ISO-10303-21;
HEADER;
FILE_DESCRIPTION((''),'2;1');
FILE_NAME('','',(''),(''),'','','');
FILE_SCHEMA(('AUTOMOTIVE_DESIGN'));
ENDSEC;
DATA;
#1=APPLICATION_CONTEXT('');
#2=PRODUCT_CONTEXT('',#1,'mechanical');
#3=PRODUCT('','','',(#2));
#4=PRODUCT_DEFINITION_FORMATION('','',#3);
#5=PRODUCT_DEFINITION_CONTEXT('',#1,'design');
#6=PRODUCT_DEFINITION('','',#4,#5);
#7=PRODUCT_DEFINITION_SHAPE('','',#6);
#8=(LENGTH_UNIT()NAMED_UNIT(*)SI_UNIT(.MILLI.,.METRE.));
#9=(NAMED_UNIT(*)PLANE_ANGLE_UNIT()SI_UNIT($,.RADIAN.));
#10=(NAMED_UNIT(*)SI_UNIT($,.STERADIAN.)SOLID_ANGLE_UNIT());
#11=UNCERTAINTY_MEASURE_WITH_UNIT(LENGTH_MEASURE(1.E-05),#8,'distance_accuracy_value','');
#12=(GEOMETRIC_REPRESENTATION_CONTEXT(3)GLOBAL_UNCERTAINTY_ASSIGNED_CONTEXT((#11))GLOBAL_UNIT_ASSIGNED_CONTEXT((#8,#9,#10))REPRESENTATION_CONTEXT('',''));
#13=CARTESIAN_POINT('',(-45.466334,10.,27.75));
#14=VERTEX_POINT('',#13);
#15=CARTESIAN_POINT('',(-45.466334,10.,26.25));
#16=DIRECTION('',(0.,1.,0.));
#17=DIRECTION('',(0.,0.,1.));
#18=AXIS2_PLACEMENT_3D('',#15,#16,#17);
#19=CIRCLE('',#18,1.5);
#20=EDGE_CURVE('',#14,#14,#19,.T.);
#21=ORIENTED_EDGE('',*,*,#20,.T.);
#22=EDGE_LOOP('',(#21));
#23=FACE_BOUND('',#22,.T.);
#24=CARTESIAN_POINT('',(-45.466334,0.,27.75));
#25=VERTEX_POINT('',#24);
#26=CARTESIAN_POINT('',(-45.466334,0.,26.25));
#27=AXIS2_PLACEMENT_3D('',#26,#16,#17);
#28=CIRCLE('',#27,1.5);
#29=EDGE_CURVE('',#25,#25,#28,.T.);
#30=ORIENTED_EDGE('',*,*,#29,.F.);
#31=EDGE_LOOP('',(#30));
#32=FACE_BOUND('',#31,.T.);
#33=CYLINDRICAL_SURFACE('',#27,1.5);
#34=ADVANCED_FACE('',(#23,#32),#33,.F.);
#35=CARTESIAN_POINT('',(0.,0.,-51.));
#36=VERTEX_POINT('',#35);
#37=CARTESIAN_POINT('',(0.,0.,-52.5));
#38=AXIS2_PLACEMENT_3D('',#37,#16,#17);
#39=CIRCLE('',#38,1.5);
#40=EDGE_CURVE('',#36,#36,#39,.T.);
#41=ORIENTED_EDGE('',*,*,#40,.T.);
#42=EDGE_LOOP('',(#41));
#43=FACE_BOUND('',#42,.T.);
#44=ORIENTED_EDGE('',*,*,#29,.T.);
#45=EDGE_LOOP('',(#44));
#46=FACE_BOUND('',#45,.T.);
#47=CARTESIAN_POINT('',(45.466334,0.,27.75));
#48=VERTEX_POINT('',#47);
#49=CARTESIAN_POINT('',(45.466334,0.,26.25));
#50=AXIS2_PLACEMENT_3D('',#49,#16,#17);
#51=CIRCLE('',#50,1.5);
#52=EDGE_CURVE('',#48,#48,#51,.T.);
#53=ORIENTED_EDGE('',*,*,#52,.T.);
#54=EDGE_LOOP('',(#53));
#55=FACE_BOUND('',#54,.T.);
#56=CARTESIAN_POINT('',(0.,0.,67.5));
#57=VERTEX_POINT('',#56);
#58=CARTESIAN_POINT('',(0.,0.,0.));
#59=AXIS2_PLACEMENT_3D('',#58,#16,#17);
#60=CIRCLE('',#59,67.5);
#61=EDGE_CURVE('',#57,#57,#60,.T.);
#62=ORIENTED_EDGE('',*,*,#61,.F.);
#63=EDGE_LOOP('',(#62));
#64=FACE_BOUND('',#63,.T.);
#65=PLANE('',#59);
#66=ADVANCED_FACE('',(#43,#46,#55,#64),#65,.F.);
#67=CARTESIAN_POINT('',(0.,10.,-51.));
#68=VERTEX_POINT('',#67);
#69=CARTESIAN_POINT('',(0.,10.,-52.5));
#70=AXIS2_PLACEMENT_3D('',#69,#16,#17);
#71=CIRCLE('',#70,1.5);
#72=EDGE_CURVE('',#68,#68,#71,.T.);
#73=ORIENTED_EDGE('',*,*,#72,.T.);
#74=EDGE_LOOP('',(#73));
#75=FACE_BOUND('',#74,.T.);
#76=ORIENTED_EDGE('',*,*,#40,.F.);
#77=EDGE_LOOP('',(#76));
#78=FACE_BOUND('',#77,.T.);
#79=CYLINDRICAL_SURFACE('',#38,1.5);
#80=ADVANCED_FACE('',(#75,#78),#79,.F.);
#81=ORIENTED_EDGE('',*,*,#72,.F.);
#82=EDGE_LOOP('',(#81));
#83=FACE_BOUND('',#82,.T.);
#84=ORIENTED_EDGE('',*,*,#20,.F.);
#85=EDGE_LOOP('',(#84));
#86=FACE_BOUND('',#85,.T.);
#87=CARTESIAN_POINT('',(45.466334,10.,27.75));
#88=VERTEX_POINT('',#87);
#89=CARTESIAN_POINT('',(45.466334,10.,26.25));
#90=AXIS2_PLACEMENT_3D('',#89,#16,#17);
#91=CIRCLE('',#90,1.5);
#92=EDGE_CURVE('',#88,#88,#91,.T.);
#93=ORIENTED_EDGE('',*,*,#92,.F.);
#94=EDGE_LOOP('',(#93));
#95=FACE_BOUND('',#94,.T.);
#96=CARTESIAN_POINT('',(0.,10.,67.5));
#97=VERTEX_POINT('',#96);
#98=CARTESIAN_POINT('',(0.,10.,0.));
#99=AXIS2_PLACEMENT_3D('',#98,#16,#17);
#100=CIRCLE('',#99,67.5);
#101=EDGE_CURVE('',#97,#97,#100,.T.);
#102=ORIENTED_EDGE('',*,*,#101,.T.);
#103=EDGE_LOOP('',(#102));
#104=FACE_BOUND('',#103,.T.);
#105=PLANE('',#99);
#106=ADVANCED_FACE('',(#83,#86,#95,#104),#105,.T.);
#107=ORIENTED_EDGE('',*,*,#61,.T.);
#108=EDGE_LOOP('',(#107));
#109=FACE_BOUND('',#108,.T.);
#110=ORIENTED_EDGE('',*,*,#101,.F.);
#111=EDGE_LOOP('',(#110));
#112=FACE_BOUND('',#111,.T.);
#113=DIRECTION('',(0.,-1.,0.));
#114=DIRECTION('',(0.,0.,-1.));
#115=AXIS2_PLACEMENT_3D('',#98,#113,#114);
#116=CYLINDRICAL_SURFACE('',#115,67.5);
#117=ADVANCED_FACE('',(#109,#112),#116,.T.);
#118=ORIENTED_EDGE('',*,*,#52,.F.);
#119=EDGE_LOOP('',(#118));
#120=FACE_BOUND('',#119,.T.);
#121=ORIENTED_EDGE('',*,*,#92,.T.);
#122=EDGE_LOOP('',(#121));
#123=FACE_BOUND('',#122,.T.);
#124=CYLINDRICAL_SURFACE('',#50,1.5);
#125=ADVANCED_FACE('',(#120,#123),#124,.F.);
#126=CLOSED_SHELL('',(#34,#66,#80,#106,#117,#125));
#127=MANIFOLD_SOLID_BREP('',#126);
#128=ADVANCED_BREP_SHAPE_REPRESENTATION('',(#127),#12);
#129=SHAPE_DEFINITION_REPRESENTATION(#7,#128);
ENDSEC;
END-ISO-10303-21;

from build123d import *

# Parameters (mm, degrees)
SKETCH1_R           = 67.5
BOSS_EXTRUDE1_DEPTH = 10
SKETCH2_R           = 1.5
CUT_EXTRUDE1_DEPTH  = 96.981769102


with BuildPart() as part:
    # Sketch1 → Boss-Extrude1 (new body)
    with BuildSketch(Plane(origin=(0, 0, 0), x_dir=(1, 0, 0), z_dir=(0, 1, 0))):
        with Locations(Location((0, 0, 0), (0, 0, 270))):
            Circle(SKETCH1_R)
    extrude(amount=BOSS_EXTRUDE1_DEPTH)

    # Sketch2 → Cut-Extrude1 (cut, through all)
    with BuildSketch(Plane(origin=(0, 10, 0), x_dir=(1, 0, 0), z_dir=(0, 1, 0))):
        with Locations(Location((0, 52.5, 0), (0, 0, 270))):
            Circle(SKETCH2_R)
        with Locations(Location((45.466333699, -26.25, 0), (0, 0, 270))):
            Circle(SKETCH2_R)
        with Locations(Location((-45.466333699, -26.25, 0), (0, 0, 270))):
            Circle(SKETCH2_R)
    extrude(amount=-CUT_EXTRUDE1_DEPTH, mode=Mode.SUBTRACT)


solid = part.part
